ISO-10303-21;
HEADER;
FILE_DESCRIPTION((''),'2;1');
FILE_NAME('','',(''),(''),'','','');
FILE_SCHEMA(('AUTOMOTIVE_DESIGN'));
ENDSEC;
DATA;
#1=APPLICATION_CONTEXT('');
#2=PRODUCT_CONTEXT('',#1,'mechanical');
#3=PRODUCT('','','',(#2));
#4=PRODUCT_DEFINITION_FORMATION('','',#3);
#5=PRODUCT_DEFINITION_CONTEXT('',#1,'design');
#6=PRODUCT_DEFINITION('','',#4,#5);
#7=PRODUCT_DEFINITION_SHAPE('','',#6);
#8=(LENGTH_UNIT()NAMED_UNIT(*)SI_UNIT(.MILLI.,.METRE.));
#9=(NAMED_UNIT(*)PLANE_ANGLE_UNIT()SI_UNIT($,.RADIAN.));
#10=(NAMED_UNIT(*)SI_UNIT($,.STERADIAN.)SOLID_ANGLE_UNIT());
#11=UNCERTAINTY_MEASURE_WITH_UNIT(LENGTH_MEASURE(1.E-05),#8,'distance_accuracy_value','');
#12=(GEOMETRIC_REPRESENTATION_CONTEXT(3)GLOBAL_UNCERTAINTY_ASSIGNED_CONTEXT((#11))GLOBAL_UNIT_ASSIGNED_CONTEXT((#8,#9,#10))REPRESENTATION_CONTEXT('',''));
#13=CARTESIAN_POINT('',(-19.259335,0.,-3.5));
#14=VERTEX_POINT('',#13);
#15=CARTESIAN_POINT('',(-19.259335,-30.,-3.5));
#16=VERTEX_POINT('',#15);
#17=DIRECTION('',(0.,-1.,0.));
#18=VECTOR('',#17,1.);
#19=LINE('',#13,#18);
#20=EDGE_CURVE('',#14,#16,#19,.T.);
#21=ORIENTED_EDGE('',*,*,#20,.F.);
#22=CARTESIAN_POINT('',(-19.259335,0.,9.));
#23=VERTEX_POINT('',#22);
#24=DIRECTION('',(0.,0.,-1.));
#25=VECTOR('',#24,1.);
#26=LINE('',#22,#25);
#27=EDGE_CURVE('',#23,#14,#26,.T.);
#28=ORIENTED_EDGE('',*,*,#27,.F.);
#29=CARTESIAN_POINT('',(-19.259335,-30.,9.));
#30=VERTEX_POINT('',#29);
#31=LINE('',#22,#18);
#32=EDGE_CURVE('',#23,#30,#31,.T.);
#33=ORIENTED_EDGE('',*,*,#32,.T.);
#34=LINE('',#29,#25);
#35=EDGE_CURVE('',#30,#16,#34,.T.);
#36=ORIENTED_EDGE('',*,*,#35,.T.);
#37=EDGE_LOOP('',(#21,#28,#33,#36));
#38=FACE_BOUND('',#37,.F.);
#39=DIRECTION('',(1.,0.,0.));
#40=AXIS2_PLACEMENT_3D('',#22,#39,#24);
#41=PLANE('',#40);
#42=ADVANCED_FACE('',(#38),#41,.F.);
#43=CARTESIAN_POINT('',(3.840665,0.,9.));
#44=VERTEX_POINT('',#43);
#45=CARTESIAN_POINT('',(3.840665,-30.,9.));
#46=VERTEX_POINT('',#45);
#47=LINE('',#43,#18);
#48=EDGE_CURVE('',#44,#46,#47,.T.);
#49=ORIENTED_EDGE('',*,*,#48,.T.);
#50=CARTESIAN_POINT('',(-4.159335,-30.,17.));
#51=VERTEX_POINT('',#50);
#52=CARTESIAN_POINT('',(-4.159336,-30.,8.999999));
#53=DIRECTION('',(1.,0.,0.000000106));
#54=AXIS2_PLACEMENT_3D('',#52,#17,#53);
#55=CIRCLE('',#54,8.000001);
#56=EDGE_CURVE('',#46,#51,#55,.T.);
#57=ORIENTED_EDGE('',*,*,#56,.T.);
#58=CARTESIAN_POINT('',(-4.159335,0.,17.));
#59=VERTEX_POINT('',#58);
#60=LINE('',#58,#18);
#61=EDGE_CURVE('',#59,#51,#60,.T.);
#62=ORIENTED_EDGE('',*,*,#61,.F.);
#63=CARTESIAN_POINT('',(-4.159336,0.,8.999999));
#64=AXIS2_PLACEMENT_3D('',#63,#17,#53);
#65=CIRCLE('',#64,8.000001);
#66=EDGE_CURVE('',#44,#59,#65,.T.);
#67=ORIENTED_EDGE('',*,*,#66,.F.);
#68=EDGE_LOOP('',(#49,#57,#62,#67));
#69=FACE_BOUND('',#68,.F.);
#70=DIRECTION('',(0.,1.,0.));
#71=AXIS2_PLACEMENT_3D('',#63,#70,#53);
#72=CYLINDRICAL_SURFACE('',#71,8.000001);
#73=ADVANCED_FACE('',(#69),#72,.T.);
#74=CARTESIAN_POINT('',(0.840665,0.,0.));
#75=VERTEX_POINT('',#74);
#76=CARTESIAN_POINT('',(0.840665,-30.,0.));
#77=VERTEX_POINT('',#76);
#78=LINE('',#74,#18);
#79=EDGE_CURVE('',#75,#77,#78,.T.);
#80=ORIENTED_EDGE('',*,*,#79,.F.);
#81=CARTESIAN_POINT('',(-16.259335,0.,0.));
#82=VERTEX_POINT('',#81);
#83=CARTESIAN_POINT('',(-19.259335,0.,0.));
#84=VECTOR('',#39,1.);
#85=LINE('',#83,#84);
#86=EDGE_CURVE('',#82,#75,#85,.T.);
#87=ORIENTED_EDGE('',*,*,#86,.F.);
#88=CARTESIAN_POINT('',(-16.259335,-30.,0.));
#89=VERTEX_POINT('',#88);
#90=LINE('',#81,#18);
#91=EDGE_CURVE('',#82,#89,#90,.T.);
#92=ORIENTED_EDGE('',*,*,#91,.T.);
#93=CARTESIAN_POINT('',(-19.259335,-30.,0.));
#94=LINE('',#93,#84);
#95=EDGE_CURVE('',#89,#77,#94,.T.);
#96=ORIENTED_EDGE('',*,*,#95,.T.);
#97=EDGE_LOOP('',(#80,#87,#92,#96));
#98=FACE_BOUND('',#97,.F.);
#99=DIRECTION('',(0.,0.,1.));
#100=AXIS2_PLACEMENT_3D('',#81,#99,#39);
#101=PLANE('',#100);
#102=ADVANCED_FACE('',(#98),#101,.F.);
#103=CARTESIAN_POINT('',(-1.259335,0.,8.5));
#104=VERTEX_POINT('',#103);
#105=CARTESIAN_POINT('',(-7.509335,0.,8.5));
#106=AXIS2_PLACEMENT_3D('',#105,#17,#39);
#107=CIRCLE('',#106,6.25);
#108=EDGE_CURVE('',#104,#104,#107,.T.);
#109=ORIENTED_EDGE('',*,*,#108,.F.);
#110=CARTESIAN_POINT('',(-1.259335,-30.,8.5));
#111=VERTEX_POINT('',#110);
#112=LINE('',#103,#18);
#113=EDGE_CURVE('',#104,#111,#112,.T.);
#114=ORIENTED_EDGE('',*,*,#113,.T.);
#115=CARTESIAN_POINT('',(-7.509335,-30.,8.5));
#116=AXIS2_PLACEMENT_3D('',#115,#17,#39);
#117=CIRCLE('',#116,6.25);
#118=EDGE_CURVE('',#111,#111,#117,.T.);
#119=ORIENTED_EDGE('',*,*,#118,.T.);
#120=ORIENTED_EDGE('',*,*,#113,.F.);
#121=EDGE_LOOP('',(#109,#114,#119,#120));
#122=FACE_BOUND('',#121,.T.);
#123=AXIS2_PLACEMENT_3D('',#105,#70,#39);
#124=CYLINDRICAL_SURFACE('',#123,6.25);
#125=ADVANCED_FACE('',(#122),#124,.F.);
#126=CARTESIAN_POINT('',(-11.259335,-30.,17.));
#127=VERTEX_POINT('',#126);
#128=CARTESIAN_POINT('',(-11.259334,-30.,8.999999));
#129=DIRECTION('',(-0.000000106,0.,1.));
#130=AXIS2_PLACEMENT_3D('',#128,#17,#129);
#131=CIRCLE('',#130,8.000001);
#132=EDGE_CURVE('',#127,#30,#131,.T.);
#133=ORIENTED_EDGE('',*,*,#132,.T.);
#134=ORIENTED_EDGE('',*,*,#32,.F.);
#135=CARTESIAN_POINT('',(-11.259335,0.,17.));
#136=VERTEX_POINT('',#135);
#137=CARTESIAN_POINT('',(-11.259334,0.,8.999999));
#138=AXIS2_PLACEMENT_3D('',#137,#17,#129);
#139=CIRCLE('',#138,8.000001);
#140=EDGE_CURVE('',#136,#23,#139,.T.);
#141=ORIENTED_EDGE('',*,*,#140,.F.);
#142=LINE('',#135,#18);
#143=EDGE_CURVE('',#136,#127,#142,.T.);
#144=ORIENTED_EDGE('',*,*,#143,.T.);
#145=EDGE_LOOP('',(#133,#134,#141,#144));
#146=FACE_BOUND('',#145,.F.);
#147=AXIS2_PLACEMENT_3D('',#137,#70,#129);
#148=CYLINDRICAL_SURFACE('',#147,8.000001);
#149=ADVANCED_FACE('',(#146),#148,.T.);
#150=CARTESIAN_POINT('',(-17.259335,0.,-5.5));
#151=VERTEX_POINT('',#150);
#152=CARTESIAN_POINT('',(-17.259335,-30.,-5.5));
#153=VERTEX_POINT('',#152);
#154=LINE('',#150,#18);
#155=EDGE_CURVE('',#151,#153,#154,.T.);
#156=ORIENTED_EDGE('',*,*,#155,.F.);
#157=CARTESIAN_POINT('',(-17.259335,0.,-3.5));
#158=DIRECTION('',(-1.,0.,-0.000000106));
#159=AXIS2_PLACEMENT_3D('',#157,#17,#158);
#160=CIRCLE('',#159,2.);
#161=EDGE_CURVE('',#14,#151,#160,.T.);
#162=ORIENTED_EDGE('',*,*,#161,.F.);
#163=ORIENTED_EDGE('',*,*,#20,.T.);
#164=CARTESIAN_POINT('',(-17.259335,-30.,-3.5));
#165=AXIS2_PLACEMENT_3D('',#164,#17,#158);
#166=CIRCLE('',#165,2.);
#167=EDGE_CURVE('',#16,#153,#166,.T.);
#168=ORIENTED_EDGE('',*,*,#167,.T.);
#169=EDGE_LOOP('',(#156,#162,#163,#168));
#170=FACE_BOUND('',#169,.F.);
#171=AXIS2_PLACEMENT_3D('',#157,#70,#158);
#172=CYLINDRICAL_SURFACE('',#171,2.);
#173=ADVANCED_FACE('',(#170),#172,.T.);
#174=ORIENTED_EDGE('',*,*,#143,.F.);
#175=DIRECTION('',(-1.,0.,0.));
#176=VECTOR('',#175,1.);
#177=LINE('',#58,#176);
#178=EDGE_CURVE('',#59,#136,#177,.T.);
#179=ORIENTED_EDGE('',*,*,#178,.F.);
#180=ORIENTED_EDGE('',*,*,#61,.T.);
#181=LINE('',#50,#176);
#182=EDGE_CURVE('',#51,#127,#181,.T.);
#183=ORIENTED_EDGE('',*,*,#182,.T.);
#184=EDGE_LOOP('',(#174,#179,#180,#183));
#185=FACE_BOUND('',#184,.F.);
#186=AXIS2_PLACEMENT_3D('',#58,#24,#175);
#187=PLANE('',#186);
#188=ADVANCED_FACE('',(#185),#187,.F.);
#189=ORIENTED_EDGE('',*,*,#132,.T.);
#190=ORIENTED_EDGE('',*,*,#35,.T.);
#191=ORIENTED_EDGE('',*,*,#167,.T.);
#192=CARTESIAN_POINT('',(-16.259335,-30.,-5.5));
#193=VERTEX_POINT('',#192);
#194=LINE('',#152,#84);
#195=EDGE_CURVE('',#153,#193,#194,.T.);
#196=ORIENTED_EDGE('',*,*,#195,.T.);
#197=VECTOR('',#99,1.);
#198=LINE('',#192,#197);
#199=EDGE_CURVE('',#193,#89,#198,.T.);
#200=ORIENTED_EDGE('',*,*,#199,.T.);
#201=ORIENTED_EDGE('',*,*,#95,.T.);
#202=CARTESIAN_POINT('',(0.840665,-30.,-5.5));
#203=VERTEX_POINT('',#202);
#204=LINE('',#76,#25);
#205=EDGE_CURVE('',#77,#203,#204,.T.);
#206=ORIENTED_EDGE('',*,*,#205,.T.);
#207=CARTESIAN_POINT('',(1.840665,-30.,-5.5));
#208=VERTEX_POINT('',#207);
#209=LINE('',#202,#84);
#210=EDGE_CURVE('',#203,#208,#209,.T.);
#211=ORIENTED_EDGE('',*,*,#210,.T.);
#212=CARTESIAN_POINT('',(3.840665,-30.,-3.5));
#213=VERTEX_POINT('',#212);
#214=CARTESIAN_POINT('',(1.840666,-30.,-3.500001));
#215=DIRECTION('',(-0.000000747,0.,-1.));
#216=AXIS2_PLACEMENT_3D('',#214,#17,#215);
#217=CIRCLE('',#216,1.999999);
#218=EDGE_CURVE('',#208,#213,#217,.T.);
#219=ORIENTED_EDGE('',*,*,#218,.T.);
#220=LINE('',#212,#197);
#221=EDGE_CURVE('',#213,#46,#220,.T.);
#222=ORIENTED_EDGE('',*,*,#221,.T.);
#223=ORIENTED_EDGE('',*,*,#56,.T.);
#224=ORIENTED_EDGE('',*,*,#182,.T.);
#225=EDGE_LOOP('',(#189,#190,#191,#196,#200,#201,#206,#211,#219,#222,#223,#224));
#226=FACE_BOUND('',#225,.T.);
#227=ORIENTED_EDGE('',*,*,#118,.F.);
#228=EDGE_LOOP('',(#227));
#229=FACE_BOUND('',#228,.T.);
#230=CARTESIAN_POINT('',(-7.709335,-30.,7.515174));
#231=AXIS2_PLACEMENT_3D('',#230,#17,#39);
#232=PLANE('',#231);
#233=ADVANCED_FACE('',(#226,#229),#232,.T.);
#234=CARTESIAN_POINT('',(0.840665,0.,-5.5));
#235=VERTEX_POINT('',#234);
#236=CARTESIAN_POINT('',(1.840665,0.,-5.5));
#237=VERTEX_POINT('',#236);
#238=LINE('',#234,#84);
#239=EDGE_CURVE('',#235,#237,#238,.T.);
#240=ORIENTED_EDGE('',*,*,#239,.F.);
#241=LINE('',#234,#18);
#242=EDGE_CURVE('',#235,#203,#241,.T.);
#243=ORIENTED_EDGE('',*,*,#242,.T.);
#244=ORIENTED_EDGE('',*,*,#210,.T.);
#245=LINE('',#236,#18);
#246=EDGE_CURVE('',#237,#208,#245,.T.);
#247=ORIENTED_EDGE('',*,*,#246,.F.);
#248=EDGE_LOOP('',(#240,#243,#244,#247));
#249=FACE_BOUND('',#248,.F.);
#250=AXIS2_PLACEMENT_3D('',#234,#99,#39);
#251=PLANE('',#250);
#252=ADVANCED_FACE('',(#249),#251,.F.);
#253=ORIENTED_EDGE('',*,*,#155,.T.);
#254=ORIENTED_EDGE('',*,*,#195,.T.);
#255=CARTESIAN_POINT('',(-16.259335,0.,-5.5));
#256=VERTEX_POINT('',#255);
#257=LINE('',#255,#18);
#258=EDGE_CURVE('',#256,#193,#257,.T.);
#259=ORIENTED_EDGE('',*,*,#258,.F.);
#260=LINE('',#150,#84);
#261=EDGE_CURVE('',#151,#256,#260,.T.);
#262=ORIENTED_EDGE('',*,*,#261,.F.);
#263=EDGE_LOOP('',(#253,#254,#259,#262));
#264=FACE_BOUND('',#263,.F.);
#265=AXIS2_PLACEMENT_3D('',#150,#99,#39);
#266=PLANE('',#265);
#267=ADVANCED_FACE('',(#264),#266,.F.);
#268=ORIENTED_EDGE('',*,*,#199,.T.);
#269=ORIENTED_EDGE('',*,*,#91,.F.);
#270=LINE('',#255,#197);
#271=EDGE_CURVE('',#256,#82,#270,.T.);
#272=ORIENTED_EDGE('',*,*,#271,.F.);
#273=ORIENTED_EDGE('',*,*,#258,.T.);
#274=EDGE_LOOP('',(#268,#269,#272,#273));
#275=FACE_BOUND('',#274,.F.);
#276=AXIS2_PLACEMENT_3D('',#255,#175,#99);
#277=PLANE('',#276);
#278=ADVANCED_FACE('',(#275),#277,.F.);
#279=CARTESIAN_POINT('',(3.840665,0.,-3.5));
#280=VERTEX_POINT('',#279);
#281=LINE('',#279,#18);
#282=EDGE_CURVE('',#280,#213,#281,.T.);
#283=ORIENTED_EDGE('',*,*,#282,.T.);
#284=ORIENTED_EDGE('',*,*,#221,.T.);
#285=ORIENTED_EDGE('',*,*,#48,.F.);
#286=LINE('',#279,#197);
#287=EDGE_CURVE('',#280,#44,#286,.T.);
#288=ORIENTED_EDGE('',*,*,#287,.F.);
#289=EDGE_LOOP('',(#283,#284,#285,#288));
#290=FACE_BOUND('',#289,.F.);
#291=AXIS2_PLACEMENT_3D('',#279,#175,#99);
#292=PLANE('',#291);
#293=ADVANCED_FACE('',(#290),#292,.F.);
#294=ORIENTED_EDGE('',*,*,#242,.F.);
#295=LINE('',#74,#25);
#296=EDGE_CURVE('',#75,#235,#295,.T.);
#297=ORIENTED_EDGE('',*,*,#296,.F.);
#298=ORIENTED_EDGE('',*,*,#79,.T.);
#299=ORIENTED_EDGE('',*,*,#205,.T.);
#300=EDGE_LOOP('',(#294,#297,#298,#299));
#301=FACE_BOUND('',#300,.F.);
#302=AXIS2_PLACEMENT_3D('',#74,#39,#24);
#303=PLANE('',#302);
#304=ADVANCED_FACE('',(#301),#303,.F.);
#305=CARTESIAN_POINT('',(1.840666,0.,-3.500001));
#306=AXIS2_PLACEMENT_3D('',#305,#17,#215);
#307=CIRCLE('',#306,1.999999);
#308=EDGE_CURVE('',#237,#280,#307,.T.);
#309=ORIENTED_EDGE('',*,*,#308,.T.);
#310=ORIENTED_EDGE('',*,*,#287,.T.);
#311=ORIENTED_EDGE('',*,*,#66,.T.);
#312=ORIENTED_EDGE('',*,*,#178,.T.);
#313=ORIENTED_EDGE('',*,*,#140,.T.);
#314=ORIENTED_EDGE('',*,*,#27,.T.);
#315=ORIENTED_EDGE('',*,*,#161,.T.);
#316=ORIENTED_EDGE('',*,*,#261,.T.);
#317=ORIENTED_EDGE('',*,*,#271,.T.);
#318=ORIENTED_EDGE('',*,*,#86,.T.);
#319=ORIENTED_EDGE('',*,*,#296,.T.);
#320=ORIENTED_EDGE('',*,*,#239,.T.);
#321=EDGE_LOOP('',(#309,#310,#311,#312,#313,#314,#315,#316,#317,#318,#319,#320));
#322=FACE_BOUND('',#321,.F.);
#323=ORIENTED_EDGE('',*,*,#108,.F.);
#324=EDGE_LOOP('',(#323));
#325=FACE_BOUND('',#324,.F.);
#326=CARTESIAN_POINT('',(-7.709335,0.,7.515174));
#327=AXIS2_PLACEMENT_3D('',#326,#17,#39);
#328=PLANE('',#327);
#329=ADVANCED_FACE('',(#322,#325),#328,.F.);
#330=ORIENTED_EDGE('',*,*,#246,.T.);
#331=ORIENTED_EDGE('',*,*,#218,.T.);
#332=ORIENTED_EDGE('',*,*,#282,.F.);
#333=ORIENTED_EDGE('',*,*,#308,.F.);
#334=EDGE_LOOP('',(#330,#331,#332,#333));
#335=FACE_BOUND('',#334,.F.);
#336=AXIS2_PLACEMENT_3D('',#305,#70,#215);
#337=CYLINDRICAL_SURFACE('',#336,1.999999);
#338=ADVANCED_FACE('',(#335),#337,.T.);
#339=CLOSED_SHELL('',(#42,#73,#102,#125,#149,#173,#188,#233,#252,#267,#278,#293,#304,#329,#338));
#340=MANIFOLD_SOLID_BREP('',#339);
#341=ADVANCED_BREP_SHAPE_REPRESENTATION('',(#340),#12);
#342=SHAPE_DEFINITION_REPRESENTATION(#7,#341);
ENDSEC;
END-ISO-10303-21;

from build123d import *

# Parameters (mm, degrees)
F0_R     = 6.25
F1_DEPTH = 30


with BuildPart() as f1:
    # F0 (on Front) → F1 (new body)
    with BuildSketch(Plane.XZ):
        with BuildLine():
            Line((-4.159335, 17), (-11.259335, 17))
            ThreePointArc((-11.259335, 17), (-16.916189, 14.656854), (-19.259335, 9))
            Line((-19.259335, 9), (-19.259335, 0))
            Line((-19.259335, 0), (-16.259335, 0))
            Line((-16.259335, 0), (0.840665, 0))
            Line((0.840665, 0), (3.840665, 0))
            Line((3.840665, 0), (3.840665, 9))
            ThreePointArc((3.840665, 9), (1.497519, 14.656854), (-4.159335, 17))
        make_face()
        with Locations((-7.509335, 8.5)):
            Circle(F0_R, mode=Mode.SUBTRACT)
        with BuildLine():
            Line((-16.259335, 0), (-19.259335, 0))
            Line((-19.259335, 0), (-19.259335, -3.5))
            ThreePointArc((-19.259335, -3.5), (-18.673548, -4.914214), (-17.259335, -5.5))
            Line((-17.259335, -5.5), (-16.259335, -5.5))
            Line((-16.259335, -5.5), (-16.259335, 0))
        make_face()
        with BuildLine():
            Line((3.840665, -3.5), (3.840665, 0))
            Line((3.840665, 0), (0.840665, 0))
            Line((0.840665, 0), (0.840665, -5.5))
            Line((0.840665, -5.5), (1.840665, -5.5))
            ThreePointArc((1.840665, -5.5), (3.254879, -4.914214), (3.840665, -3.5))
        make_face()
    extrude(amount=F1_DEPTH)


solid = f1.part
